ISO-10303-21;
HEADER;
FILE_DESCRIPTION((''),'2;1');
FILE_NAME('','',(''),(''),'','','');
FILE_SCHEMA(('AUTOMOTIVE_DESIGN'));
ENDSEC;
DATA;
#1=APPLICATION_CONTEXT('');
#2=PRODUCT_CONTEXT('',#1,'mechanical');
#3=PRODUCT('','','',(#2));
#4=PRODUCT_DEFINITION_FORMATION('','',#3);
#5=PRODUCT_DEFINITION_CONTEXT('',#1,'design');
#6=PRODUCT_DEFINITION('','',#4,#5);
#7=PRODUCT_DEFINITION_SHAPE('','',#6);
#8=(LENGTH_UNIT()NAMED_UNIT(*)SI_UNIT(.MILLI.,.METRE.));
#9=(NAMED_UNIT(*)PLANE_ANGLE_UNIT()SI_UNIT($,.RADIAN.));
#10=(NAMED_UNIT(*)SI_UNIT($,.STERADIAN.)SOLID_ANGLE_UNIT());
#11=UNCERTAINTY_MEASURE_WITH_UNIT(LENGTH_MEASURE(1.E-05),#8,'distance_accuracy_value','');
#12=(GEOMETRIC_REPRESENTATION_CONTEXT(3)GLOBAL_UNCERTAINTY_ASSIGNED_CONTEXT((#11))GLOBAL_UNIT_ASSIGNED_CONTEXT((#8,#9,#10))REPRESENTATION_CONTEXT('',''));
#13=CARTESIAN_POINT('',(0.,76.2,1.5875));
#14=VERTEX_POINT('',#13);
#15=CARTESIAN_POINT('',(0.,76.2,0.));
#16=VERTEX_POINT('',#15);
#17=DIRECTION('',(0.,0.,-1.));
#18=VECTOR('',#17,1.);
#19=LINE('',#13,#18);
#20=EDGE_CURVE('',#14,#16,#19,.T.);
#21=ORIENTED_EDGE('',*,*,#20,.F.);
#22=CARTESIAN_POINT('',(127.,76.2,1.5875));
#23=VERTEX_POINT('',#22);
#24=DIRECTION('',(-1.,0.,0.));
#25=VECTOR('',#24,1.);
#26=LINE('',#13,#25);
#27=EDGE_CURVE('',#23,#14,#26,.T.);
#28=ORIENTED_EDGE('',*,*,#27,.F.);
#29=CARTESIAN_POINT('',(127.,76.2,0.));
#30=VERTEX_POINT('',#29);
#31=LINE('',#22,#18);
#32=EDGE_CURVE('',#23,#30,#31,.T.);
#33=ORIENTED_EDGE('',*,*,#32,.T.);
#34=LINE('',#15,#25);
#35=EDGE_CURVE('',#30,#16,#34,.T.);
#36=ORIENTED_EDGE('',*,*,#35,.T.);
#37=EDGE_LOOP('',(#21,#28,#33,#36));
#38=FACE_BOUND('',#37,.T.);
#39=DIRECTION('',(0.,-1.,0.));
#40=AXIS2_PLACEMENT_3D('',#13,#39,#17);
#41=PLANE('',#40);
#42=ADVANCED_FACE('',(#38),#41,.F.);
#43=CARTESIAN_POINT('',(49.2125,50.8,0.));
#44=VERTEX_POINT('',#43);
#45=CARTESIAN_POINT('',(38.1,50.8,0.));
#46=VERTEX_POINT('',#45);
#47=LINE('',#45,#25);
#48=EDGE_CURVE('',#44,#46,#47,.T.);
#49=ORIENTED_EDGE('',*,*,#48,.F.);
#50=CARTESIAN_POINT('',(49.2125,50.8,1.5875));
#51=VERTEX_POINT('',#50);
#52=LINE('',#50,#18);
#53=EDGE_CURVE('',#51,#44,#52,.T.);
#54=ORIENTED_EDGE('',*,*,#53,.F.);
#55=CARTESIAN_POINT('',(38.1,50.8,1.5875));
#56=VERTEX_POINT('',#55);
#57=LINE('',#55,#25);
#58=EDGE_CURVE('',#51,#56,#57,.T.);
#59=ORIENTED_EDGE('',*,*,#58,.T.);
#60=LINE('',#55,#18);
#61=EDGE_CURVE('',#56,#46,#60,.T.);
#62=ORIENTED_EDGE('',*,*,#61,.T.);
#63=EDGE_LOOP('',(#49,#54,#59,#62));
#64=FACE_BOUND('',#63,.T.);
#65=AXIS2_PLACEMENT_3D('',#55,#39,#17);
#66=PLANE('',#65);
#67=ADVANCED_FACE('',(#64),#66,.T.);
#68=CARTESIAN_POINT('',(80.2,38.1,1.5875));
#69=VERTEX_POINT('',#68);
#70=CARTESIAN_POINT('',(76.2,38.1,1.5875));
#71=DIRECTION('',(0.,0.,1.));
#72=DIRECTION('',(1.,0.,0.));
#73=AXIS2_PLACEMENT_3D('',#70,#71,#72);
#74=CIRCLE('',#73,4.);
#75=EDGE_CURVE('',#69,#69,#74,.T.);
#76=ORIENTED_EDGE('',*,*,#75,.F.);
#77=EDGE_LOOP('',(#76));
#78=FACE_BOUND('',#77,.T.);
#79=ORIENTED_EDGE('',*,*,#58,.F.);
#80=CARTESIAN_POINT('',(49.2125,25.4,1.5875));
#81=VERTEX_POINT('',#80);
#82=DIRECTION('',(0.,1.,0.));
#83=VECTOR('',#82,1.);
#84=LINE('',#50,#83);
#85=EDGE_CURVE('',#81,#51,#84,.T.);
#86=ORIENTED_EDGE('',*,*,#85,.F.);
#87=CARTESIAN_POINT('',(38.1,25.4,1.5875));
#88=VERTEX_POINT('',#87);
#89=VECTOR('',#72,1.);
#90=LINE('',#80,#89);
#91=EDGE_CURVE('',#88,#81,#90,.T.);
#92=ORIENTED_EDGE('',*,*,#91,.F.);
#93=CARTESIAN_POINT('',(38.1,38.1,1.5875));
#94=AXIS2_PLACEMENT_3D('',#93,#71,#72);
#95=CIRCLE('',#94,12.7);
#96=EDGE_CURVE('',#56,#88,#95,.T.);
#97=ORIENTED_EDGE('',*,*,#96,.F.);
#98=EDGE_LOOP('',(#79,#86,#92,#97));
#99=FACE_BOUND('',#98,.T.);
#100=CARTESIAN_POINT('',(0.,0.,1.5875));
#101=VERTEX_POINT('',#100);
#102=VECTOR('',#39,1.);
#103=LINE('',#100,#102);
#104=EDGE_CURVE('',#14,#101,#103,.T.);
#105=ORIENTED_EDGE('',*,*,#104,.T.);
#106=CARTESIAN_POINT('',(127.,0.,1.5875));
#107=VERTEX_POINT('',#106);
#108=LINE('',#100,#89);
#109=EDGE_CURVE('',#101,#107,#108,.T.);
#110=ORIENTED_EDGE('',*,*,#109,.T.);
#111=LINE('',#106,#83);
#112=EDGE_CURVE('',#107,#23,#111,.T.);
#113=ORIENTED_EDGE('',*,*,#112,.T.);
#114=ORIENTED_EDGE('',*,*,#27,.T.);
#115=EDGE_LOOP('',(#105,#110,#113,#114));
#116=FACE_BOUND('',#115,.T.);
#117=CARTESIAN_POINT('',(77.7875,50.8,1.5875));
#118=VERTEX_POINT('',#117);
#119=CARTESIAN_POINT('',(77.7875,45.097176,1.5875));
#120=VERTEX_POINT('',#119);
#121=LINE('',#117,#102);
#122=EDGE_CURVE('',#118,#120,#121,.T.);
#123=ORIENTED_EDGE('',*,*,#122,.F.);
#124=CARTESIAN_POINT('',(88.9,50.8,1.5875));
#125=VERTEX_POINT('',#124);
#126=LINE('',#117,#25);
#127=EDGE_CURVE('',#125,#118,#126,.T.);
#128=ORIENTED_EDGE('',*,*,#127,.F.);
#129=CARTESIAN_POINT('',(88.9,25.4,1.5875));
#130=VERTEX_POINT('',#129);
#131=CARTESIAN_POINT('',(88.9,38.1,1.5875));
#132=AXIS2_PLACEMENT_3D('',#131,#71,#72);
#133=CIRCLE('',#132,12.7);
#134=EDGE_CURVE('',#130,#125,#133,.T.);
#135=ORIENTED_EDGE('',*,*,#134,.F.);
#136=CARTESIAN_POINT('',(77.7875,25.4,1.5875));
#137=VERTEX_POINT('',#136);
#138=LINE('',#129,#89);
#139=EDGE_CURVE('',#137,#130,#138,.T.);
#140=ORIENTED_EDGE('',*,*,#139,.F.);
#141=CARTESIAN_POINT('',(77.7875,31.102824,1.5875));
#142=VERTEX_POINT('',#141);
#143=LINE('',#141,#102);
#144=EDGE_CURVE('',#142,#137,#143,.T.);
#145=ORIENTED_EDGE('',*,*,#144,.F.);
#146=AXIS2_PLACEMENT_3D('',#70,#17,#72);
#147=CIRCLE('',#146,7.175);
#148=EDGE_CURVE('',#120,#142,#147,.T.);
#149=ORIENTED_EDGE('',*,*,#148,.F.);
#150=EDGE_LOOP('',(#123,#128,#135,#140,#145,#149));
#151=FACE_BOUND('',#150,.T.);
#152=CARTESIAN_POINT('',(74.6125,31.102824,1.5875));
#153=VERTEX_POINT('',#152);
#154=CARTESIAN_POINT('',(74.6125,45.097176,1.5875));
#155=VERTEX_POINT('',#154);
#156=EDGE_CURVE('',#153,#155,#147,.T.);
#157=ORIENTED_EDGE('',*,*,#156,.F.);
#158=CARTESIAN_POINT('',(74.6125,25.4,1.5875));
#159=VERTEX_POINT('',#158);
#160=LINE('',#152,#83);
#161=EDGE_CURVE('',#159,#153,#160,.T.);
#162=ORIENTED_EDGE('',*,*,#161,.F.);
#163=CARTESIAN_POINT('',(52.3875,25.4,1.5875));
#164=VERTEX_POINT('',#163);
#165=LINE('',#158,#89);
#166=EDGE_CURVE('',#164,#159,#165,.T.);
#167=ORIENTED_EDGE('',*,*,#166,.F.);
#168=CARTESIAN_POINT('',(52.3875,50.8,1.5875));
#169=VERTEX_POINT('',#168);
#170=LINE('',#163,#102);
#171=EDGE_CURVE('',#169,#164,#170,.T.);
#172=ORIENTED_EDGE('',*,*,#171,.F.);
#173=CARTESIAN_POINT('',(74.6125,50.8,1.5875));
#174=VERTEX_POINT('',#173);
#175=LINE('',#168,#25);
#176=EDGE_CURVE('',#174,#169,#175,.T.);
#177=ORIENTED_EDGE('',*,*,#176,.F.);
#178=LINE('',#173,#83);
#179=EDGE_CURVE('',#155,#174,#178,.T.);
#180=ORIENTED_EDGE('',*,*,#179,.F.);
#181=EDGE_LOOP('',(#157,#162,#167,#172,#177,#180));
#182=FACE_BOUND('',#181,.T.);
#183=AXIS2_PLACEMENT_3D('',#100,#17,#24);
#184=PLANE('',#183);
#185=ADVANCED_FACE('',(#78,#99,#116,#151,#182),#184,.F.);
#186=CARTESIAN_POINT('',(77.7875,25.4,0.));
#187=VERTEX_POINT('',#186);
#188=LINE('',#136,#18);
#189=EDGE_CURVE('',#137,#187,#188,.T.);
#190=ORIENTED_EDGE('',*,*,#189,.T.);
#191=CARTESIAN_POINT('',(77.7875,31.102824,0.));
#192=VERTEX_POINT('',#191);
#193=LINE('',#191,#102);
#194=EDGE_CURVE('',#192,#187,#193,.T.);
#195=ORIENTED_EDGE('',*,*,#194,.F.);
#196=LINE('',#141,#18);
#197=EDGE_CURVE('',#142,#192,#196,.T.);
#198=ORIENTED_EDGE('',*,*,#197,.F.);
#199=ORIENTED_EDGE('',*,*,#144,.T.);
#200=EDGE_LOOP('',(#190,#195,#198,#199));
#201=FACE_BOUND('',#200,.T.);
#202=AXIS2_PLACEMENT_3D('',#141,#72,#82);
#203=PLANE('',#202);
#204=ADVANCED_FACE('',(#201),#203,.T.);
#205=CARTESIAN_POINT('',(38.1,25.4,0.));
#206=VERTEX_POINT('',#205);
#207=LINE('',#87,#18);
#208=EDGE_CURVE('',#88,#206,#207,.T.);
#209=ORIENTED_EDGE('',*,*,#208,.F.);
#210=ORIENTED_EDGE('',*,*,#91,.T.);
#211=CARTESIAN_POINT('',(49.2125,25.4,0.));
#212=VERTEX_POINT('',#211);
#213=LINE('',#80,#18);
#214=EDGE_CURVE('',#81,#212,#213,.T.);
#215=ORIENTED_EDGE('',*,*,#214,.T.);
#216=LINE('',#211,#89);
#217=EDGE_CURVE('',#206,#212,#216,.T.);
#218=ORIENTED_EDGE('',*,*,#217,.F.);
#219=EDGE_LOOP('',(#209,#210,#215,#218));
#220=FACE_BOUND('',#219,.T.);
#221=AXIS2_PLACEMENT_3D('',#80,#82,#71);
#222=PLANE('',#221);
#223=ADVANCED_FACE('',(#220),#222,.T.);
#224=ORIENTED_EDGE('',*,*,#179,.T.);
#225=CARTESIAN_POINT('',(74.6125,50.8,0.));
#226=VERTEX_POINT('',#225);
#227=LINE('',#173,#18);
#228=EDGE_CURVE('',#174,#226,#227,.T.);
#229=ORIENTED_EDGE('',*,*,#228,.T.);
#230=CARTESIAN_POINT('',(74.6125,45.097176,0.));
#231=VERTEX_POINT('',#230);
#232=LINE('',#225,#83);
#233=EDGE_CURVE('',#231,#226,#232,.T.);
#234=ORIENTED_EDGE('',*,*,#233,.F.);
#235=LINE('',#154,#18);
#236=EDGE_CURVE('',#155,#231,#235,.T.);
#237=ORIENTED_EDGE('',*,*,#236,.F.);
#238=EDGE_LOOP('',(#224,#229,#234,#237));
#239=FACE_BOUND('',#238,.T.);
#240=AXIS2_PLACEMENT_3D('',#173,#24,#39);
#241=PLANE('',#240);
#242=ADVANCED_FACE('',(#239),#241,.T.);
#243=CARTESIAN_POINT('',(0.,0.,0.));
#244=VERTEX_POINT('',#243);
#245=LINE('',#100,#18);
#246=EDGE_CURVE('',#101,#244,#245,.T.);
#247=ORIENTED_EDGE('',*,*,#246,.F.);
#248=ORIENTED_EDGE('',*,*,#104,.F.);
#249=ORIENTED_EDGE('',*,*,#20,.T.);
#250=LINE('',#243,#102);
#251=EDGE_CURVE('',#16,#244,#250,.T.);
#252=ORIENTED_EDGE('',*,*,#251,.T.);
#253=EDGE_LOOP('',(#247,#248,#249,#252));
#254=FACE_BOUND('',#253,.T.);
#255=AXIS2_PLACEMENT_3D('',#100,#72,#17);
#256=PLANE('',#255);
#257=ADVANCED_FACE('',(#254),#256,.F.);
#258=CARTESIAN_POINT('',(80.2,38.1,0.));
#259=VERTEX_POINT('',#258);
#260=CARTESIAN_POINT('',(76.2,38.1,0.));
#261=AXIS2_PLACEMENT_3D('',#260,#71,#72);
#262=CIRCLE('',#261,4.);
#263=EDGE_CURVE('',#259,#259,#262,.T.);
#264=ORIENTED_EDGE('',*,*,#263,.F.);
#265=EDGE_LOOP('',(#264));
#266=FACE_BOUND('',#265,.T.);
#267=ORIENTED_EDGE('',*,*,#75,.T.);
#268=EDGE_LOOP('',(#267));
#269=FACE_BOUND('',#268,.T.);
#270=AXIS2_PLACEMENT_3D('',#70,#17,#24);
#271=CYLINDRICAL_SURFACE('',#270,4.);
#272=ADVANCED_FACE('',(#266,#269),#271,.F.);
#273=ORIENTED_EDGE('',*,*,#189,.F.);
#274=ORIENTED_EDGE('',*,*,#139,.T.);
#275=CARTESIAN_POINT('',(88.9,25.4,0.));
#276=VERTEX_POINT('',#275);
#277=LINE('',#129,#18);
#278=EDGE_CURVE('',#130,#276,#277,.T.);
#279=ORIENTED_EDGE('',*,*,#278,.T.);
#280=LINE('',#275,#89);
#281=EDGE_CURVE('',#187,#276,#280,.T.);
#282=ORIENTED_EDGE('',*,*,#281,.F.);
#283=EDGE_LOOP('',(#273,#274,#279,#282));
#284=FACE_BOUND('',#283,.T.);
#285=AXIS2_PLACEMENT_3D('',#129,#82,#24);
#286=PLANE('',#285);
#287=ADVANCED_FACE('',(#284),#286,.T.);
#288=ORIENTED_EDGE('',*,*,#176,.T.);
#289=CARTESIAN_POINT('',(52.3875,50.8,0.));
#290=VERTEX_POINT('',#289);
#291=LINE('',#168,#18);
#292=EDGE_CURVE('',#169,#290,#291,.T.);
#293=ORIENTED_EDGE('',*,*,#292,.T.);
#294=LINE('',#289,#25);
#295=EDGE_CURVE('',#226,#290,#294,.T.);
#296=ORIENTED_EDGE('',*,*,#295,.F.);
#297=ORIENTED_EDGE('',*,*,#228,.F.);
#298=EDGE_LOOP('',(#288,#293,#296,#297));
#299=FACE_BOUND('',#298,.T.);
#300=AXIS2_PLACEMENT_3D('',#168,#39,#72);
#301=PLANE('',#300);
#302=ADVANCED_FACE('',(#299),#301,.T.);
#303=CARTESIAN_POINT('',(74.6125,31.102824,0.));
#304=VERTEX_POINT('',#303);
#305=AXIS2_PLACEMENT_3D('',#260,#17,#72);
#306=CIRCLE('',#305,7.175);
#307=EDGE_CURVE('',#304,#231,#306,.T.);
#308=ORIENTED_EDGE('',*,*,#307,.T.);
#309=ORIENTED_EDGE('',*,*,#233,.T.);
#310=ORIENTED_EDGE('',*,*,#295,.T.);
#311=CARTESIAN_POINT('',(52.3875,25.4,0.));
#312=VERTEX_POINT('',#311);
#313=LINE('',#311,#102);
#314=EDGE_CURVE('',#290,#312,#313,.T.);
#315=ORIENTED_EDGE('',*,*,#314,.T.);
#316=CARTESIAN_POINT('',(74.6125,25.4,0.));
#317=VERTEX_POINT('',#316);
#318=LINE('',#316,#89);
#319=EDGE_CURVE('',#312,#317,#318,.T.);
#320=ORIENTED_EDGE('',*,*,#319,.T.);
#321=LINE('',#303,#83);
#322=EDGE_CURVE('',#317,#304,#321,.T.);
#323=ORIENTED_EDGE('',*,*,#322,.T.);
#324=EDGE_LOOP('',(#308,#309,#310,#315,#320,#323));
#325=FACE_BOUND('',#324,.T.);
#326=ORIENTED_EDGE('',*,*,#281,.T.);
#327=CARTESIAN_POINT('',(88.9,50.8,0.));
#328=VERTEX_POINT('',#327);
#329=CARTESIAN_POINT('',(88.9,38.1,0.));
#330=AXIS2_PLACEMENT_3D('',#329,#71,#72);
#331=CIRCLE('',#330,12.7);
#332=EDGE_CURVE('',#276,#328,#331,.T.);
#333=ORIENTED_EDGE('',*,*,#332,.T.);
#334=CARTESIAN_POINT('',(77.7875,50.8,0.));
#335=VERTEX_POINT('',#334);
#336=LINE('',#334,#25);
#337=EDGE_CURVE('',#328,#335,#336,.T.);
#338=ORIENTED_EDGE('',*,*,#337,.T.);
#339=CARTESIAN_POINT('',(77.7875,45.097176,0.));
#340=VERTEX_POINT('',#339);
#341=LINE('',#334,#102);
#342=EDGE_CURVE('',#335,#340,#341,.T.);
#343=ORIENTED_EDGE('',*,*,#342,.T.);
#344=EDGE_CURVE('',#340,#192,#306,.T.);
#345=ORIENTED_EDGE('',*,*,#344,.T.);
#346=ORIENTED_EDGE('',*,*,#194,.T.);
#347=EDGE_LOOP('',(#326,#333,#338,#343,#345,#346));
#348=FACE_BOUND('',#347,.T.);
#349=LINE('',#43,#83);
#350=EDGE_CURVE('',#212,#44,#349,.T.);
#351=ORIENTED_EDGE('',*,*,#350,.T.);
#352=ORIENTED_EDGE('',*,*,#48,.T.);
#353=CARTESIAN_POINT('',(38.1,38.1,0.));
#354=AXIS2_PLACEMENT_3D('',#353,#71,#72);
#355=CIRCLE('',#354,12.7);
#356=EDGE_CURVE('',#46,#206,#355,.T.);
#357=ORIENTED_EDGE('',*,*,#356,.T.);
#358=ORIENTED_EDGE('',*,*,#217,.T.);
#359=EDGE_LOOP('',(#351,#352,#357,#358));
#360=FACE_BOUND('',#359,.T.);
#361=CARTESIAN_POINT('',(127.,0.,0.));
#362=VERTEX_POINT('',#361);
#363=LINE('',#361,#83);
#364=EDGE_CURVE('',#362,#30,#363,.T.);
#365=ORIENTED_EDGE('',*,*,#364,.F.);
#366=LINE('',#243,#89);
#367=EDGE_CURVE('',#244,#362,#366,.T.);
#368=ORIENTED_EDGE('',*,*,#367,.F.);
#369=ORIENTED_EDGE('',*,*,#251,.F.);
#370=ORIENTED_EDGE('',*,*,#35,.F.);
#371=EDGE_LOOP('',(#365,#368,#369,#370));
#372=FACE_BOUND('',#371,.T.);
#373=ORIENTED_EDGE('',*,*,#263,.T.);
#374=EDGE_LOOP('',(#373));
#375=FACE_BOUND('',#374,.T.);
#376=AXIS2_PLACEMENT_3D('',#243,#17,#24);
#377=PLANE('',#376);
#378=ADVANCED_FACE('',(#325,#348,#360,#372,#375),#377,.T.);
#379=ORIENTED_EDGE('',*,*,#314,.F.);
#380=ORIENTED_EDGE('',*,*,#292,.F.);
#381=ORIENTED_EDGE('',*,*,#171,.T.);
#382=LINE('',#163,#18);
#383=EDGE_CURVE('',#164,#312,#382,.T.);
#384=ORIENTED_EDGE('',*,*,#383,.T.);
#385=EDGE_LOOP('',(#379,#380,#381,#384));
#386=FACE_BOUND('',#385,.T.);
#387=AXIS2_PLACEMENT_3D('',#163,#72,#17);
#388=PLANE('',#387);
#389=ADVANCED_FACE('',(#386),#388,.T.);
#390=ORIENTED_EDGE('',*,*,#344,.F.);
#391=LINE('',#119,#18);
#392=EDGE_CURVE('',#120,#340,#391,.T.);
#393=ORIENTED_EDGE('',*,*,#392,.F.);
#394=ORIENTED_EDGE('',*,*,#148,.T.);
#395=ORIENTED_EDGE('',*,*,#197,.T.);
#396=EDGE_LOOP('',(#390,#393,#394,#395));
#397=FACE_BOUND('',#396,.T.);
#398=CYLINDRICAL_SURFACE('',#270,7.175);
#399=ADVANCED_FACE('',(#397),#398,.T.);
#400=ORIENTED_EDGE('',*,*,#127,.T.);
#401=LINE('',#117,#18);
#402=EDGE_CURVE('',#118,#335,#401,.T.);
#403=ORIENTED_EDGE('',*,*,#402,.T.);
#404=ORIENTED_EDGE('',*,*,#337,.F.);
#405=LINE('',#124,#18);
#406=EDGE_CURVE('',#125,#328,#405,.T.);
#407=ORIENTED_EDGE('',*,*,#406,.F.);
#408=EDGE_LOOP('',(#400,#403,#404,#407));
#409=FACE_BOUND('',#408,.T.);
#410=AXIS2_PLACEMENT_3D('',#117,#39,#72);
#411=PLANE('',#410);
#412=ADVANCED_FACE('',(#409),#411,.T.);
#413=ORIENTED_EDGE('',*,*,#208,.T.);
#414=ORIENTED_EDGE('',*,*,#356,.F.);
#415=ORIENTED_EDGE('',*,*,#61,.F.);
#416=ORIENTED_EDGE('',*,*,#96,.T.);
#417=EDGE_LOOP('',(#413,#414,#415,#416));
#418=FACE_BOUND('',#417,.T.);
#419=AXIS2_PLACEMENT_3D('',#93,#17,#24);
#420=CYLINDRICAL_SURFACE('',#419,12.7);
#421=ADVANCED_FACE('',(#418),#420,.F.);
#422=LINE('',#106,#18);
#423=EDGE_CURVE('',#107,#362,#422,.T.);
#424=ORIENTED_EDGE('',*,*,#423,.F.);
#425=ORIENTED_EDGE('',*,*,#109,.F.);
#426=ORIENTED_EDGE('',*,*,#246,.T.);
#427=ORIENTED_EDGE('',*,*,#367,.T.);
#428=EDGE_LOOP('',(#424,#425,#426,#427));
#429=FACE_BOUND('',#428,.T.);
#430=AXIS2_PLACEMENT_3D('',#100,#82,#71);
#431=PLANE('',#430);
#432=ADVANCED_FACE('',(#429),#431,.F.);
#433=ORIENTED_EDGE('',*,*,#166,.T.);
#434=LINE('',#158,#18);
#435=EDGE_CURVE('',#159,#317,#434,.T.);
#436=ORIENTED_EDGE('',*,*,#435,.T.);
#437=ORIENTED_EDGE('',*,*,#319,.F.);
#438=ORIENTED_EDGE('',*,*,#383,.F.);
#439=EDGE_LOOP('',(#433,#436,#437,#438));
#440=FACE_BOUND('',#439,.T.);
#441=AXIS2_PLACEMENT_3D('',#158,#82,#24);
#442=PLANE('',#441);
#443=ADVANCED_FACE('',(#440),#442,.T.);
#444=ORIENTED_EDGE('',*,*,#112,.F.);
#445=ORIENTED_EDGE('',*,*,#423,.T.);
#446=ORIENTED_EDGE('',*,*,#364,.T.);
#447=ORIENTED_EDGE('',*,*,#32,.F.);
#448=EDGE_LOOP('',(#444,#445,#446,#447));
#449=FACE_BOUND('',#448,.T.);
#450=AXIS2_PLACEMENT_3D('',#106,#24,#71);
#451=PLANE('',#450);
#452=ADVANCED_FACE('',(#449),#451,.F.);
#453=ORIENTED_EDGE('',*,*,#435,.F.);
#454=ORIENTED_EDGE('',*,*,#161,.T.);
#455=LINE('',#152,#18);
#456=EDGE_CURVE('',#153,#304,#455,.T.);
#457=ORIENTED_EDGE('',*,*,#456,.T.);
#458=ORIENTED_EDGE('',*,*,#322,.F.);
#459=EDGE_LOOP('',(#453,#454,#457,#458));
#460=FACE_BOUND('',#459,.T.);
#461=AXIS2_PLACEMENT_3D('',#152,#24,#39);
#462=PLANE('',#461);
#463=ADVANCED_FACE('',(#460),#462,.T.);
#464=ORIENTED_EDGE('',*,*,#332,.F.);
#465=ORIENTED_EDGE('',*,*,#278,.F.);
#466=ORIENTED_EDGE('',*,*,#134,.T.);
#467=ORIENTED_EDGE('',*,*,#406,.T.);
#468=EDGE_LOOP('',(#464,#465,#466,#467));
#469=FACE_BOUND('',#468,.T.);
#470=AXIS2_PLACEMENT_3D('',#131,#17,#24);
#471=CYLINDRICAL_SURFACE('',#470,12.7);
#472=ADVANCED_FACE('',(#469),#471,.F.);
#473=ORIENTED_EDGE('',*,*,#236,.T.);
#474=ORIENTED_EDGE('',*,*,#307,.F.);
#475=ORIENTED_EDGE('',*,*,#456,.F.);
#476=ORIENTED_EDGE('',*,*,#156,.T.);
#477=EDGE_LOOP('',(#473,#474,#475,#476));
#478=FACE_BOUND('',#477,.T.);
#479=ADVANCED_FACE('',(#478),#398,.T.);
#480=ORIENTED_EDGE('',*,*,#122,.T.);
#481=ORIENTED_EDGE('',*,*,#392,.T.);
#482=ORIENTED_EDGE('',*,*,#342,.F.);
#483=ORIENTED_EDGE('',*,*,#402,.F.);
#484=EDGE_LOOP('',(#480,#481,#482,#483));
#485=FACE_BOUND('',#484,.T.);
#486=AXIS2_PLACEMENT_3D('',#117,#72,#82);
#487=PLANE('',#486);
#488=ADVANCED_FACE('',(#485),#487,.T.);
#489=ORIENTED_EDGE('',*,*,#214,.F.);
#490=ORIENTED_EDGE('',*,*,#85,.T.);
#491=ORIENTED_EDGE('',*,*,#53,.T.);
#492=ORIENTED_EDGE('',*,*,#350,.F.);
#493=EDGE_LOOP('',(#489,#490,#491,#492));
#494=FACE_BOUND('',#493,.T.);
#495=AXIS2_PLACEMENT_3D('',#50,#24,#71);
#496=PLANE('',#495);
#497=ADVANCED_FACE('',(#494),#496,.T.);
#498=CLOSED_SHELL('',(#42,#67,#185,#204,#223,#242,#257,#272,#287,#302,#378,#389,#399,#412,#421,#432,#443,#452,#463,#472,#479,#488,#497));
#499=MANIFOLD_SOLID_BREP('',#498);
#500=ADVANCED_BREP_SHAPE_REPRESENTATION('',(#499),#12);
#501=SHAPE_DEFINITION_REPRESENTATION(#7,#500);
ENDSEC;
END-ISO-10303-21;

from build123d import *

# Parameters (mm, degrees)
SKETCH1_W           = 127
SKETCH1_H           = 76.2
SKETCH1_R           = 4
BOSS_EXTRUDE1_DEPTH = 1.5875


with BuildPart() as part:
    # Sketch1 → Boss-Extrude1 (new body)
    with BuildSketch(Plane.XY):
        with Locations((63.5, 38.1)):
            Rectangle(SKETCH1_W, SKETCH1_H)
        with Locations((76.2, 38.1)):
            Circle(SKETCH1_R, mode=Mode.SUBTRACT)
        with BuildLine():
            Line((38.1, 50.8), (49.2125, 50.8))
            Line((49.2125, 50.8), (49.2125, 25.4))
            Line((49.2125, 25.4), (38.1, 25.4))
            ThreePointArc((38.1, 25.4), (25.4, 38.1), (38.1, 50.8))
        make_face(mode=Mode.SUBTRACT)
        with BuildLine():
            Line((88.9, 25.4), (77.7875, 25.4))
            Line((77.7875, 25.4), (77.7875, 31.10282423))
            ThreePointArc((77.7875, 31.10282423), (83.375, 38.1), (77.7875, 45.09717577))
            Line((77.7875, 45.09717577), (77.7875, 50.8))
            Line((77.7875, 50.8), (88.9, 50.8))
            ThreePointArc((88.9, 50.8), (101.6, 38.1), (88.9, 25.4))
        make_face(mode=Mode.SUBTRACT)
        with BuildLine():
            Line((52.3875, 50.8), (74.6125, 50.8))
            Line((74.6125, 50.8), (74.6125, 45.09717577))
            ThreePointArc((74.6125, 45.09717577), (69.025, 38.1), (74.6125, 31.10282423))
            Line((74.6125, 31.10282423), (74.6125, 25.4))
            Line((74.6125, 25.4), (52.3875, 25.4))
            Line((52.3875, 25.4), (52.3875, 50.8))
        make_face(mode=Mode.SUBTRACT)
    extrude(amount=BOSS_EXTRUDE1_DEPTH)


solid = part.part
